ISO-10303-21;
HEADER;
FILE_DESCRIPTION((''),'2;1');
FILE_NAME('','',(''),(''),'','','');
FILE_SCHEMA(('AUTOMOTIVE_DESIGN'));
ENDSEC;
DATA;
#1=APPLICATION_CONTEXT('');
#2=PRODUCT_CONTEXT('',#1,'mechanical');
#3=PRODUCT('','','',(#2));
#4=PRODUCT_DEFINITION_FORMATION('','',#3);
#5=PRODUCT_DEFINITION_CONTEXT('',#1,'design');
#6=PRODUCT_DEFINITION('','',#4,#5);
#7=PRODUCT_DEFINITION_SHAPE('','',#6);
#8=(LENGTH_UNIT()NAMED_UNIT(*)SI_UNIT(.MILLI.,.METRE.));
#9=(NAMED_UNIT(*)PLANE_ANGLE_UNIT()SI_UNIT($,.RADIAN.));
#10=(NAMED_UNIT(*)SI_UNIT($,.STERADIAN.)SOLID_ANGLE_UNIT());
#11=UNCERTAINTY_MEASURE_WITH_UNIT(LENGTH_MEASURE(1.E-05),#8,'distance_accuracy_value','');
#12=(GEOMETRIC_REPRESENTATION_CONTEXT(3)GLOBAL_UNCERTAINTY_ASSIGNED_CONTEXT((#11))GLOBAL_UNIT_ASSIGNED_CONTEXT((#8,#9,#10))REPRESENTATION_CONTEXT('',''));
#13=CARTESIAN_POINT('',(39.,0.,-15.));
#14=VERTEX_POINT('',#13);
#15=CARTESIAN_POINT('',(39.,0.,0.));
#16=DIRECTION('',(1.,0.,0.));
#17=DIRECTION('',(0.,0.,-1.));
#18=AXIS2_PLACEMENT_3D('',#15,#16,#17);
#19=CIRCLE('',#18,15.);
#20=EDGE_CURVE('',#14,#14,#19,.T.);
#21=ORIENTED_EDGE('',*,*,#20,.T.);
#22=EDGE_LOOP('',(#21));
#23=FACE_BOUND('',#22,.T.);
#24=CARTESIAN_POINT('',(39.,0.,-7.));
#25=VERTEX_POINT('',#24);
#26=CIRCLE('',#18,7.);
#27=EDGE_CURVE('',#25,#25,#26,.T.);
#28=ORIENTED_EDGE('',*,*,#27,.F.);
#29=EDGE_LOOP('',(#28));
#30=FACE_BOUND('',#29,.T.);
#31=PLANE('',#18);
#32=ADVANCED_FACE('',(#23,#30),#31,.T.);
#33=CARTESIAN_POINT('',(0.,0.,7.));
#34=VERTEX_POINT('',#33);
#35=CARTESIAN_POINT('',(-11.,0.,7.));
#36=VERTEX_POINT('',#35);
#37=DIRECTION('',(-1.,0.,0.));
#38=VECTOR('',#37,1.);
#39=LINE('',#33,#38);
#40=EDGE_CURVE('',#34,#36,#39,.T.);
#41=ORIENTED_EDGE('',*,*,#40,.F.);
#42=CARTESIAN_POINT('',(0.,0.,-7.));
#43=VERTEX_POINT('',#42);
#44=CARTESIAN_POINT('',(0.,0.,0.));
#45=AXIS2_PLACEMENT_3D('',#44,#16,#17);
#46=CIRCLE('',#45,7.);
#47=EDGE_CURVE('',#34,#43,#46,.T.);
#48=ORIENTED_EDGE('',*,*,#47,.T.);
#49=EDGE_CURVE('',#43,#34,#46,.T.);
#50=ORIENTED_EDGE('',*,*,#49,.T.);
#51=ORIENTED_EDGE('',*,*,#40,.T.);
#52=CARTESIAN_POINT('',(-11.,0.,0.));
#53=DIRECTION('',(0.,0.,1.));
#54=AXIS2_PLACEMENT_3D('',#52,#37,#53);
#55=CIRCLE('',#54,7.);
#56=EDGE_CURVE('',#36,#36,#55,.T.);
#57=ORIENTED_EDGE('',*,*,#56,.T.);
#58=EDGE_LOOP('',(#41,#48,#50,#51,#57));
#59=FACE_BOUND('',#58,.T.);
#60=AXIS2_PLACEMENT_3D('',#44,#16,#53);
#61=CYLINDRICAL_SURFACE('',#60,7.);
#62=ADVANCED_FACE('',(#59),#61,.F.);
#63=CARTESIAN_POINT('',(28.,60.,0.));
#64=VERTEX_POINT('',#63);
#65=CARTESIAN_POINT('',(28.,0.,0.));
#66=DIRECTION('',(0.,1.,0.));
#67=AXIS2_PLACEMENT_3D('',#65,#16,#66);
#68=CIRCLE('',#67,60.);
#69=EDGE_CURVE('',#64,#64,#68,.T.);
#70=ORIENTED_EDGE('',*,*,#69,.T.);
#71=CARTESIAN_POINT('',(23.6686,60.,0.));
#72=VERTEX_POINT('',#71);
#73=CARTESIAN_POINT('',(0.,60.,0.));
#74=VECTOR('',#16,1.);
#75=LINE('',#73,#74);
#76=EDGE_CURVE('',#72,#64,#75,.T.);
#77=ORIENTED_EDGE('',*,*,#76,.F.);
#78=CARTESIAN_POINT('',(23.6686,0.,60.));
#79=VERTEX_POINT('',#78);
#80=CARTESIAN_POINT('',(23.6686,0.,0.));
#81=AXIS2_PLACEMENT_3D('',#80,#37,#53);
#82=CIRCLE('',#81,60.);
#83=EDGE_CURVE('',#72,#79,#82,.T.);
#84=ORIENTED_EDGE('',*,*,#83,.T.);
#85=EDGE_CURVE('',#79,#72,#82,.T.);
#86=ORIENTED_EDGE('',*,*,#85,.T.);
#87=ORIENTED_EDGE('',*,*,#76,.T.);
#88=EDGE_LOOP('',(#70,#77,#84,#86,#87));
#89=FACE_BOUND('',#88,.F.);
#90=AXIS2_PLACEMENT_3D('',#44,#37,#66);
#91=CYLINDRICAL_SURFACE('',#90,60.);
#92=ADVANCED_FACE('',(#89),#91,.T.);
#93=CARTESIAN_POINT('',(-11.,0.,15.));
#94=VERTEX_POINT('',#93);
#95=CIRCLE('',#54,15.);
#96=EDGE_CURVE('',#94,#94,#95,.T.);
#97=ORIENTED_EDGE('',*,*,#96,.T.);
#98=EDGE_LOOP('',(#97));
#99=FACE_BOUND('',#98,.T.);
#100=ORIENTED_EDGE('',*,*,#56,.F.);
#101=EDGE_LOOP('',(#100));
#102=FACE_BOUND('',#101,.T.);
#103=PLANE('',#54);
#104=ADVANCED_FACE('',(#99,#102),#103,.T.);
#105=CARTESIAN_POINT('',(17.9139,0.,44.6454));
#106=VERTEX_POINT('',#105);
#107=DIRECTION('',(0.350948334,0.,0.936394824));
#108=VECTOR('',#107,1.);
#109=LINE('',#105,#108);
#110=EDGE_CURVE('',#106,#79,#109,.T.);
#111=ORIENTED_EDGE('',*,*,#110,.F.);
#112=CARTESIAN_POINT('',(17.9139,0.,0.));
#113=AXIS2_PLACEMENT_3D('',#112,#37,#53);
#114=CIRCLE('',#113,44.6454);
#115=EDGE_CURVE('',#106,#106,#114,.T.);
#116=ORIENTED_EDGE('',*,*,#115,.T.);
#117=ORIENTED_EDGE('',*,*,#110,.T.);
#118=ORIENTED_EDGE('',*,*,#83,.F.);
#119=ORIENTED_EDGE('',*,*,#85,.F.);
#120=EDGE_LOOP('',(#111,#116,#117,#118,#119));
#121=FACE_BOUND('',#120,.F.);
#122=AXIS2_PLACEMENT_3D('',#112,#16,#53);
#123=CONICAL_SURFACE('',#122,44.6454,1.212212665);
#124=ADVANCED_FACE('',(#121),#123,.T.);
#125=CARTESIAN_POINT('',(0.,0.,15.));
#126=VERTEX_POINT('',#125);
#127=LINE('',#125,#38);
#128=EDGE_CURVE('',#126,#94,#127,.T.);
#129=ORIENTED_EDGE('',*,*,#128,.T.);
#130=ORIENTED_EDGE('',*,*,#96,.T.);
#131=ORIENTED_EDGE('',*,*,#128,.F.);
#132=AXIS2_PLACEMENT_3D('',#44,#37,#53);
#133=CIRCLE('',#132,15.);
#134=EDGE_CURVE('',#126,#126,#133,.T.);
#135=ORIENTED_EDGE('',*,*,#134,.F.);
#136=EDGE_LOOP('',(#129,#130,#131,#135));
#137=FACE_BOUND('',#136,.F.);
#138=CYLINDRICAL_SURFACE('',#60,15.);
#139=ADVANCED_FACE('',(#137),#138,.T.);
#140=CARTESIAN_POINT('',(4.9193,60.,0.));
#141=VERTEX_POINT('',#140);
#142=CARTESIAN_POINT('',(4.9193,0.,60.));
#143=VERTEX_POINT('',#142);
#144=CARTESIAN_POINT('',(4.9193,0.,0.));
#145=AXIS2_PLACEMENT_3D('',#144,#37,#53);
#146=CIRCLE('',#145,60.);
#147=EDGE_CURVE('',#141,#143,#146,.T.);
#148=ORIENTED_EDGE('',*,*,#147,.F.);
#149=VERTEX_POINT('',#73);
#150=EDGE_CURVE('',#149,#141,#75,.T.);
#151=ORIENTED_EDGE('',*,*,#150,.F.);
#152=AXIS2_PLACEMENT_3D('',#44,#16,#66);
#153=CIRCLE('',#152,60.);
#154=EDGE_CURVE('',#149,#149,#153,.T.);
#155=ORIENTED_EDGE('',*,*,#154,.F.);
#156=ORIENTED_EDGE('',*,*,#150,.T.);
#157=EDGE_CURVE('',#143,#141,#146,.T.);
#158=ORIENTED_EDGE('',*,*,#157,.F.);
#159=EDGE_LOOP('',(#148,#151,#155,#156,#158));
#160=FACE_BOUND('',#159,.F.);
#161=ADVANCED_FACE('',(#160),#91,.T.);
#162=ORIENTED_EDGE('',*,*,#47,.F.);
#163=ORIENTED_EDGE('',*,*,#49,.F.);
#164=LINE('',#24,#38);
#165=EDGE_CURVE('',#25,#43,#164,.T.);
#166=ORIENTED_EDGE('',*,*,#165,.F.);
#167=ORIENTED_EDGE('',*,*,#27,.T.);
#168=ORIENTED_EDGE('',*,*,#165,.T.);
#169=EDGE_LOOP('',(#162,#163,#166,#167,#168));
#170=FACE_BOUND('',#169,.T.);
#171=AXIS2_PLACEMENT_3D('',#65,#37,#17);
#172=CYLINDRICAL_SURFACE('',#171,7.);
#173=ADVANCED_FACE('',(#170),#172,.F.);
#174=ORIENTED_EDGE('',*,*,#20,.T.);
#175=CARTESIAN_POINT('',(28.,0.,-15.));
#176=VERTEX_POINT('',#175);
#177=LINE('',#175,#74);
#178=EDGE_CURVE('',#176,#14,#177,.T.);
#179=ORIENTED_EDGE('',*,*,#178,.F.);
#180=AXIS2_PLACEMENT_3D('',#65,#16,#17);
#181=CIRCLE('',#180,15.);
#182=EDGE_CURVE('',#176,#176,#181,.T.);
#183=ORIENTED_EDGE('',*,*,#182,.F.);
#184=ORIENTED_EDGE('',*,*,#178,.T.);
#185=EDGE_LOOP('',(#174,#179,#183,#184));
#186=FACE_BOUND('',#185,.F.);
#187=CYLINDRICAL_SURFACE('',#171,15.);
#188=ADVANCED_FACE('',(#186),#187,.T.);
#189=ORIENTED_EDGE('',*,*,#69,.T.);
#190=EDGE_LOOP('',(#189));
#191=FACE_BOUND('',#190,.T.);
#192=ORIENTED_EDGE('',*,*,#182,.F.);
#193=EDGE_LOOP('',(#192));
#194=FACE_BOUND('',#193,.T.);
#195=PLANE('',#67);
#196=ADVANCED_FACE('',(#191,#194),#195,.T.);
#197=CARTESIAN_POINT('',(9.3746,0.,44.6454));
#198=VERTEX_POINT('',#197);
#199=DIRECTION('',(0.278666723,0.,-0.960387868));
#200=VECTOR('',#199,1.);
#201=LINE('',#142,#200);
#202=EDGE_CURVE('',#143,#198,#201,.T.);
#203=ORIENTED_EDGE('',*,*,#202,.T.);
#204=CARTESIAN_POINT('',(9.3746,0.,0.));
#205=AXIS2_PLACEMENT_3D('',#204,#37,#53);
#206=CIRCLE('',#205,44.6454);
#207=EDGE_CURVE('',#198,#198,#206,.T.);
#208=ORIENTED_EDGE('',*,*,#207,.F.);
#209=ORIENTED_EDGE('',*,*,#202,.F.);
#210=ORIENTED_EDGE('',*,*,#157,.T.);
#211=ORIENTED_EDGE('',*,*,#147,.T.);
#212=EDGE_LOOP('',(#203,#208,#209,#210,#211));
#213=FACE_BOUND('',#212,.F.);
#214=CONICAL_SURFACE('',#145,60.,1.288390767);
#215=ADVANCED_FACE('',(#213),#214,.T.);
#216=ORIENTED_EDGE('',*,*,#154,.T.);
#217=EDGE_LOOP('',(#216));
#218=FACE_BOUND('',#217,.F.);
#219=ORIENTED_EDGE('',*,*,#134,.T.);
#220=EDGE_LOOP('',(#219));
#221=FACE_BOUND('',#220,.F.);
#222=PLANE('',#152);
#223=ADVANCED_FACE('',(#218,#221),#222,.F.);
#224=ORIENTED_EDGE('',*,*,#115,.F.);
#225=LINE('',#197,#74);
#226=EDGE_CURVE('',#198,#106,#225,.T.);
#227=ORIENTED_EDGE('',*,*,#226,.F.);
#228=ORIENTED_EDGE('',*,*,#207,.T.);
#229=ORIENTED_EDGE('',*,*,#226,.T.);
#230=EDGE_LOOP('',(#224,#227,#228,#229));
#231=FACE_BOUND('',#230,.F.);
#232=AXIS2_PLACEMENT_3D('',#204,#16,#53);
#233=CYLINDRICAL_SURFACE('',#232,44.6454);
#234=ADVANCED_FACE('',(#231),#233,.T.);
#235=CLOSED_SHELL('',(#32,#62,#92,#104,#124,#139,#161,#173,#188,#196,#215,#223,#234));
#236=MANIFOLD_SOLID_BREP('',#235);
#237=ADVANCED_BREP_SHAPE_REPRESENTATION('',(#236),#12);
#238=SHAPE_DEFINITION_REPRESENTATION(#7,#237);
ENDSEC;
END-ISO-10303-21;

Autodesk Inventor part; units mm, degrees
ref_plane "YZ Plane" through (0, 0, 0) normal (1, 0, 0) x (0, 1, 0)
ref_plane "XZ Plane" through (0, 0, 0) normal (0, 1, 0) x (-1, 0, 0)
ref_plane "XY Plane" through (0, 0, 0) normal (0, 0, 1) x (1, 0, 0)
sketch "Sketch1" plane through (0, 0, 0) normal (1, 0, 0) x (0, 1, 0)
  circle A0 centre (0, 0) radius 60
  dimension "d0" = 120
extrude "Extrusion1" add sketch "Sketch1" along normal blind 28
sketch "Sketch2" plane through (28, 0, 0) normal (1, 0, 0) x (0, 0, -1)
  circle A0 centre (0, 0) radius 7
  dimension "d3" = 14
extrude "Extrusion2" cut sketch "Sketch2" against normal blind 28
sketch "Sketch3" plane through (0, 0, 0) normal (0, 1, 0) x (-1, 0, 0)
  line L0 (0, 60) -> (-28, 60) projected
  line L1 (-4.9193, 60) -> (-9.3746, 44.6454)
  line L2 (-9.3746, 44.6454) -> (-17.9139, 44.6454)
  line L3 (-17.9139, 44.6454) -> (-23.6686, 60)
  line L4 (-4.9193, 60) -> (-23.6686, 60)
  line L5 (-62.3987, 0) -> (62.1852, 0)
  point P0 (0, 0)
revolve "Revolution1" cut sketch "Sketch3" angle 360 about axis through (62.3987, 0, 0) along (-1, 0, 0)
sketch "Sketch4" plane through (28, 0, 0) normal (1, 0, 0) x (0, 0, -1)
  circle A0 centre (0, 0) radius 15
  circle A1 centre (0, 0) radius 7
  dimension "d7" = 30
  dimension "d8" = 14
extrude "Extrusion3" add sketch "Sketch4" along normal blind 11
sketch "Sketch5" plane through (0, 0, 0) normal (-1, 0, 0) x (0, 0, 1)
  circle A0 centre (0, 0) radius 7
  circle A1 centre (0, 0) radius 15
  dimension "d11" = 30
  dimension "d12" = 14
extrude "Extrusion4" add sketch "Sketch5" along normal blind 11
properties part number "Rueda"
